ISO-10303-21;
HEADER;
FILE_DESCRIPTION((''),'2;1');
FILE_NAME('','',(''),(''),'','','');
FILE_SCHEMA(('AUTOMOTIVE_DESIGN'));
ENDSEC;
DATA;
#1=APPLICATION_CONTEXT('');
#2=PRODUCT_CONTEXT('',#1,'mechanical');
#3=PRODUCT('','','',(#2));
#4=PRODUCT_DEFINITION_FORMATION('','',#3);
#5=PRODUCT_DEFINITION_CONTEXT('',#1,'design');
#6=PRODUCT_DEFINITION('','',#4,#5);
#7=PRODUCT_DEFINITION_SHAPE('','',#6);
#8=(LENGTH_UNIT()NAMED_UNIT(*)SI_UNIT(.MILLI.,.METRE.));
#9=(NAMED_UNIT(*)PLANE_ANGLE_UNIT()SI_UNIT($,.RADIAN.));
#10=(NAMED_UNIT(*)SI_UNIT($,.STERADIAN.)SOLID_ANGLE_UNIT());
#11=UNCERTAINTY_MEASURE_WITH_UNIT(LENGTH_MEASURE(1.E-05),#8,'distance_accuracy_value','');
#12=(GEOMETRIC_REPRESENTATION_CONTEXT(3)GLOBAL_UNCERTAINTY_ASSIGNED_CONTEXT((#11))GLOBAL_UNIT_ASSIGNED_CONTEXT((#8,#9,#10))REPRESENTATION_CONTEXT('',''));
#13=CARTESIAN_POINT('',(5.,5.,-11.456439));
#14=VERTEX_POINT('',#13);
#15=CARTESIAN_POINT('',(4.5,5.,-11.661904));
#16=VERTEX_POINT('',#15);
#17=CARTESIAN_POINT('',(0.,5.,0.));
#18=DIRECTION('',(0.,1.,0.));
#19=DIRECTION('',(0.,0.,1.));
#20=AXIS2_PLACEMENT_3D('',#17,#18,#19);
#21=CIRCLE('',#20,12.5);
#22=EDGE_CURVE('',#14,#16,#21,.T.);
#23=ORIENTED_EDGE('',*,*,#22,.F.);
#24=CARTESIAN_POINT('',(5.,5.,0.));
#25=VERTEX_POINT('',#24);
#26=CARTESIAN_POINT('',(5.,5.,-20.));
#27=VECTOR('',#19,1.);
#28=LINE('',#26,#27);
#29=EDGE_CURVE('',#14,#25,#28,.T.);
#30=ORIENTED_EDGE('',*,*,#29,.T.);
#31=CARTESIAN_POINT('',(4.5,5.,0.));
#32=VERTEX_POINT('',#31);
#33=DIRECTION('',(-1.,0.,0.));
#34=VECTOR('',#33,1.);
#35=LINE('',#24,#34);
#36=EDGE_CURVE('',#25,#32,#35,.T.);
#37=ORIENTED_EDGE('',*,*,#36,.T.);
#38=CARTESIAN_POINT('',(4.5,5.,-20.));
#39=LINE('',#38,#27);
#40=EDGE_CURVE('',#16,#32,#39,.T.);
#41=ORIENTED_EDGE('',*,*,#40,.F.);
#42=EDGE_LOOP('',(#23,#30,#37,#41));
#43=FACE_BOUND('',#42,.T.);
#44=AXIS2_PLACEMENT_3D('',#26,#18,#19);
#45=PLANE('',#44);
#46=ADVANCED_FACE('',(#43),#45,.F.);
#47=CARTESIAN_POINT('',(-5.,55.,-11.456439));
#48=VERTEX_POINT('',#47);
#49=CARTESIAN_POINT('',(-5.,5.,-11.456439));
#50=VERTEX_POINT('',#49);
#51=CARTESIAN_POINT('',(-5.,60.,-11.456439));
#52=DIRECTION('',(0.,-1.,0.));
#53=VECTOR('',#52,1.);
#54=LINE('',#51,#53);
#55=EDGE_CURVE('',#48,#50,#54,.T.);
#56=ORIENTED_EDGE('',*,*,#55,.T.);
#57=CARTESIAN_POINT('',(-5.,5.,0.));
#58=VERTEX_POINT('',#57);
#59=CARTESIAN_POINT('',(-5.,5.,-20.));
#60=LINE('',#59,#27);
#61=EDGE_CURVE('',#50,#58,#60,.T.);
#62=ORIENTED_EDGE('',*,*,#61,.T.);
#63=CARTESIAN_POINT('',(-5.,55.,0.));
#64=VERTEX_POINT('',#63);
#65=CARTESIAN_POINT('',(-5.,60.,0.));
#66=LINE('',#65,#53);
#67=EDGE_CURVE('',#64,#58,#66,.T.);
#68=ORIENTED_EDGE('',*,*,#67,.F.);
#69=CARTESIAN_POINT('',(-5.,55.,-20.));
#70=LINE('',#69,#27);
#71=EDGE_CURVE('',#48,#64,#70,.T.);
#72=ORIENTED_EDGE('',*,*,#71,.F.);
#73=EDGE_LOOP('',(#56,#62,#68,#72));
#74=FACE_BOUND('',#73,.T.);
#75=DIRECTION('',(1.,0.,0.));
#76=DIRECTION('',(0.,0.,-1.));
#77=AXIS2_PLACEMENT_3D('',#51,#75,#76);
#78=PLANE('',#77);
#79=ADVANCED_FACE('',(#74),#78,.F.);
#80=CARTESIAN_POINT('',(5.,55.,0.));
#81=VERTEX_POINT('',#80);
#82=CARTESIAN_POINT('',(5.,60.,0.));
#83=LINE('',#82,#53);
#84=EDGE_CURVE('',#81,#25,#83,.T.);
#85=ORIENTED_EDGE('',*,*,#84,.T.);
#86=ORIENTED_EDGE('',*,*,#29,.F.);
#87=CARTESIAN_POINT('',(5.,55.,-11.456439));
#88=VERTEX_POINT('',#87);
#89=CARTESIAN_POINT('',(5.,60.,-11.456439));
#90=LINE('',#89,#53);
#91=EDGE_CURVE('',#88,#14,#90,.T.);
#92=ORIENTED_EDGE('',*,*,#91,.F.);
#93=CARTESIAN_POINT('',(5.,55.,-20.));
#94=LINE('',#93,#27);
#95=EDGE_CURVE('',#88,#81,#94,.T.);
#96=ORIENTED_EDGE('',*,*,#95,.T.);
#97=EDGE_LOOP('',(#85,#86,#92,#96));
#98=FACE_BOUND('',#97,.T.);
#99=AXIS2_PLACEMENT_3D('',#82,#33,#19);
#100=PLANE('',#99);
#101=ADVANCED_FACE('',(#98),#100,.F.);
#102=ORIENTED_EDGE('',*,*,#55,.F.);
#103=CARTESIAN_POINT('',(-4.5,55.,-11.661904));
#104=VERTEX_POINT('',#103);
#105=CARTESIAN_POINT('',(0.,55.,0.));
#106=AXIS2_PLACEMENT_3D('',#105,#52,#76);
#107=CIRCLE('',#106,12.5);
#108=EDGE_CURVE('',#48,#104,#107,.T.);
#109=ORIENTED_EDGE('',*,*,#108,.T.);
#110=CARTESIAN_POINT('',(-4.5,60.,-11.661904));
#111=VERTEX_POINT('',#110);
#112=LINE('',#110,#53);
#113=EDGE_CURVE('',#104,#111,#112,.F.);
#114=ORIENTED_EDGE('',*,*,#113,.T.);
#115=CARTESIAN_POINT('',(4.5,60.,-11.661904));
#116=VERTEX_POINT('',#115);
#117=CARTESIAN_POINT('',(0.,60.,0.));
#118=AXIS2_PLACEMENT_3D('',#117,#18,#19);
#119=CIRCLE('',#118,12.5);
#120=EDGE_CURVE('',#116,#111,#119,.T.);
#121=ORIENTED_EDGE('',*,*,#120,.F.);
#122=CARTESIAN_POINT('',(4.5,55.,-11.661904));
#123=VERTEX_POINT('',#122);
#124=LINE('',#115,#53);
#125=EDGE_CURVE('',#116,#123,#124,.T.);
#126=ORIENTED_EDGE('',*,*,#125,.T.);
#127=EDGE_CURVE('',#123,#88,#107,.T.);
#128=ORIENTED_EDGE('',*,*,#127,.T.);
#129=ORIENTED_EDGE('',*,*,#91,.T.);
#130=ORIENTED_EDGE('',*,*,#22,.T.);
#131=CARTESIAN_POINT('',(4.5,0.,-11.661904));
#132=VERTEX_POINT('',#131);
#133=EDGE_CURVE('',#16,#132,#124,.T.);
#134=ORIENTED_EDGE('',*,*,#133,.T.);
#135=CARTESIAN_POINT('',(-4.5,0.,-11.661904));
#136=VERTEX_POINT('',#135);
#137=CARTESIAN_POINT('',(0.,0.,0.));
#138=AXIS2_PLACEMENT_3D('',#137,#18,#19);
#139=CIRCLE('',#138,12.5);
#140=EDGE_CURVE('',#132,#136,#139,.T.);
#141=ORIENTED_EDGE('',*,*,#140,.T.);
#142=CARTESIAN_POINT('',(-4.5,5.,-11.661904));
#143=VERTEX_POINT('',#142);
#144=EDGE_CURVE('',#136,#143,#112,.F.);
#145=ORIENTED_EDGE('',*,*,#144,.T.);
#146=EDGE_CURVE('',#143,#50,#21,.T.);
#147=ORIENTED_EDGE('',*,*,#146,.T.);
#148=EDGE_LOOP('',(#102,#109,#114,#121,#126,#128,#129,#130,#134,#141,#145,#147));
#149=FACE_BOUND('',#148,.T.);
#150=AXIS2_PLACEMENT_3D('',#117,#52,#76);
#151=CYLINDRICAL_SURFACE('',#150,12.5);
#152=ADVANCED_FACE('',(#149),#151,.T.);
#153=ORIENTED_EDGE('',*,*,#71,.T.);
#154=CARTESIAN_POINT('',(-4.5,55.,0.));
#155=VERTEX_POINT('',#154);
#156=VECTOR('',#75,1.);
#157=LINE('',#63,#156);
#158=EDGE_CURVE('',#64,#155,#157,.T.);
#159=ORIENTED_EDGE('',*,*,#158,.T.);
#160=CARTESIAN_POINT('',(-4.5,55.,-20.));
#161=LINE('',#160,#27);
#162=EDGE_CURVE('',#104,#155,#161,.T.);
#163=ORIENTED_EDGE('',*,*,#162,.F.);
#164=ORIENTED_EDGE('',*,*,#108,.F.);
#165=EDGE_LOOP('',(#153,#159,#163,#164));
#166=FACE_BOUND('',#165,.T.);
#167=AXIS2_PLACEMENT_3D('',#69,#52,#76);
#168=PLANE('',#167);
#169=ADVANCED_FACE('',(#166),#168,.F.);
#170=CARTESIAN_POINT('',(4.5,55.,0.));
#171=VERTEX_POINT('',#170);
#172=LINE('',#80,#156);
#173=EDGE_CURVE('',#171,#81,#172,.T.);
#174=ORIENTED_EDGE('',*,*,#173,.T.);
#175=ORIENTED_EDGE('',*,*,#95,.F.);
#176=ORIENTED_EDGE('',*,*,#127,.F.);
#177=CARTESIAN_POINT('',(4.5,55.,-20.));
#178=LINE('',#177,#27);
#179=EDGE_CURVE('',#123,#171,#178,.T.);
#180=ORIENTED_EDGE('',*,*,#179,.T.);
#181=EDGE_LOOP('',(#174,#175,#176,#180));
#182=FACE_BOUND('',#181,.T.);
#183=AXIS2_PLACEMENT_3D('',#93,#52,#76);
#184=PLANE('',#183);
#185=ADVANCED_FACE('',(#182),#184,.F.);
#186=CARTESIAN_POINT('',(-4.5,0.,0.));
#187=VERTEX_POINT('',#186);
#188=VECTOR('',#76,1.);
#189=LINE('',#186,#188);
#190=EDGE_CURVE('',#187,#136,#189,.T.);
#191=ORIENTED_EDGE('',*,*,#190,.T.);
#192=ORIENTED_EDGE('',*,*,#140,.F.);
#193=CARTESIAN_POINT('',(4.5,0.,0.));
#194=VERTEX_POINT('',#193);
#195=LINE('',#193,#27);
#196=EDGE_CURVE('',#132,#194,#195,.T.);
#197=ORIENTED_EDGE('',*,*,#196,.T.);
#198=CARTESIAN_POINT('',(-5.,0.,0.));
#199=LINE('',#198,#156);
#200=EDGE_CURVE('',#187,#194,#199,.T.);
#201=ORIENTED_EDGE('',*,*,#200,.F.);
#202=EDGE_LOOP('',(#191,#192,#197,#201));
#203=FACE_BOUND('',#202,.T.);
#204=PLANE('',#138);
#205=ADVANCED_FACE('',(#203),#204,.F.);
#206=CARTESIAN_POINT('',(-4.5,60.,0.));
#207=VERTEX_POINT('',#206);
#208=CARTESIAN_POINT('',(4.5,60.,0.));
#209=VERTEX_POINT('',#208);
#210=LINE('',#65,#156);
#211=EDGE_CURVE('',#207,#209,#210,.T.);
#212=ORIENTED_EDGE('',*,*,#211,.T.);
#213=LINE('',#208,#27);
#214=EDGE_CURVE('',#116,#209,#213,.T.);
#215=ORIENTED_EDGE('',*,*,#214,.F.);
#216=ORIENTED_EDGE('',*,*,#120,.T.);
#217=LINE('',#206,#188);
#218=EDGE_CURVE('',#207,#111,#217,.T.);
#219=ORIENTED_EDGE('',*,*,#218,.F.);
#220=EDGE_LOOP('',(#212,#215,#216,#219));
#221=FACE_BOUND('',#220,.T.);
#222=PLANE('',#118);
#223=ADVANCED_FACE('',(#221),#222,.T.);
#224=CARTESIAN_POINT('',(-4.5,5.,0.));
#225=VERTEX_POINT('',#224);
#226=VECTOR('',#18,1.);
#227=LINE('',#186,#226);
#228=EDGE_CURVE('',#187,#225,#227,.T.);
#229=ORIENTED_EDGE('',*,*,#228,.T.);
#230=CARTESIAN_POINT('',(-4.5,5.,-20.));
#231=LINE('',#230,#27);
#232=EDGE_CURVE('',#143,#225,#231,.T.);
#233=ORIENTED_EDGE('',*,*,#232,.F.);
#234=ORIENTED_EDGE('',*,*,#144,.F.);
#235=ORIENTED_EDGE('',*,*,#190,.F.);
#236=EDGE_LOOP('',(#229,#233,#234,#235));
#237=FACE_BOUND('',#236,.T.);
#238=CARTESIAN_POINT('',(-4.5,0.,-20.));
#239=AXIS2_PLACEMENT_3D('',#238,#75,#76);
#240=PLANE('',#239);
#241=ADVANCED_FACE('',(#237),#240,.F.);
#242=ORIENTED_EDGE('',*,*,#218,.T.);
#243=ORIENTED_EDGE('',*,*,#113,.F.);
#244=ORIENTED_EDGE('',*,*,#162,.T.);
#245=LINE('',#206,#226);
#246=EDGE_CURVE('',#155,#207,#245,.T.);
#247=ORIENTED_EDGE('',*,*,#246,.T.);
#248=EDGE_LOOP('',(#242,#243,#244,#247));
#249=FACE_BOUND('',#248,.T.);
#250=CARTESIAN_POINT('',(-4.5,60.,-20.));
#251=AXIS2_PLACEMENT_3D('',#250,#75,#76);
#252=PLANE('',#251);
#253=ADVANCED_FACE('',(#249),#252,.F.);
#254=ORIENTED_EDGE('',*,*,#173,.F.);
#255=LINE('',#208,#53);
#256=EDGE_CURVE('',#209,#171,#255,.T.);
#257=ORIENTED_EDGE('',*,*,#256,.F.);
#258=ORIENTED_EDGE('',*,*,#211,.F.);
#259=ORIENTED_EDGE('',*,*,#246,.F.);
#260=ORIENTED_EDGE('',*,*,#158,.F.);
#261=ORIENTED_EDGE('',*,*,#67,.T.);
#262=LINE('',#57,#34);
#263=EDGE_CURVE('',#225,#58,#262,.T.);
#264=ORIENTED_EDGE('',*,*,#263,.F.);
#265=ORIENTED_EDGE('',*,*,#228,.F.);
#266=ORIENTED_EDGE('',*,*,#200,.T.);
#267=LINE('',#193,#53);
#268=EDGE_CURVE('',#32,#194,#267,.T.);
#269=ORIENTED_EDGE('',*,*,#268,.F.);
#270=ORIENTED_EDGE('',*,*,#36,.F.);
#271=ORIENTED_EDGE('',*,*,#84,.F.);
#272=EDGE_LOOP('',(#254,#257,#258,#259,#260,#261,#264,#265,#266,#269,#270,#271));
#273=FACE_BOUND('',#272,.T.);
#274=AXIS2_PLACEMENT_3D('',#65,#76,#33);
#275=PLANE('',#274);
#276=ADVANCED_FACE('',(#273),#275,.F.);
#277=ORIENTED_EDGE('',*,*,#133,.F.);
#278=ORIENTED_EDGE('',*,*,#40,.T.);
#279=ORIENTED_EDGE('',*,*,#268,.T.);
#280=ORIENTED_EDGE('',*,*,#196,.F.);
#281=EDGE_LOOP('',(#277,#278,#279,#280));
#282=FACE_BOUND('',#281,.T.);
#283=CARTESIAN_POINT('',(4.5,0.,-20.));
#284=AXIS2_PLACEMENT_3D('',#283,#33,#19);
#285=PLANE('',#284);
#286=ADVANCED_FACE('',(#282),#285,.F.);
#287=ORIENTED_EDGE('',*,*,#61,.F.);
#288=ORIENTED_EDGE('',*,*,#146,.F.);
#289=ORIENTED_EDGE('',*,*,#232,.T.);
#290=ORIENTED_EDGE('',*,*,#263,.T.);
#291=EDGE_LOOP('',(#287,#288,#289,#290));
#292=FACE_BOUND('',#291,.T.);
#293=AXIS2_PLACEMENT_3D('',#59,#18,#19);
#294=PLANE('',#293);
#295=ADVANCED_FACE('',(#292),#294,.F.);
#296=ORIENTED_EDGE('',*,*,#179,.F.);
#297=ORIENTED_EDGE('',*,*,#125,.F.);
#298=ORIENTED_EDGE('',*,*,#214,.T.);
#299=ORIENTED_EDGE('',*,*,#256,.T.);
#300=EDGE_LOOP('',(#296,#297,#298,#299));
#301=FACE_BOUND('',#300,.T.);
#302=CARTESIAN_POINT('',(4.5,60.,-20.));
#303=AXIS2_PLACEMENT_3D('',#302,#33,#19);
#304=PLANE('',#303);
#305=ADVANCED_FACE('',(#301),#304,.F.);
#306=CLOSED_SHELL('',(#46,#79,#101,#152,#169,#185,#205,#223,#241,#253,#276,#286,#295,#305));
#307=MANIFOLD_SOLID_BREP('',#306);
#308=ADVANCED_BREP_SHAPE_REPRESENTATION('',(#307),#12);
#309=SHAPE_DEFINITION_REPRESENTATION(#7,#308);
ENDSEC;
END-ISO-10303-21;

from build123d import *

# Parameters (mm, degrees)
BOSS_EXTRUDE1_DEPTH = 60
SKETCH3_W           = 0.5
SKETCH3_H           = 5
CUT_EXTRUDE1_DEPTH  = 20


with BuildPart() as part:
    # Sketch2 → Boss-Extrude1 (new body)
    with BuildSketch(Plane(origin=(0, 0, 0), x_dir=(1, 0, 0), z_dir=(0, 1, 0))):
        with BuildLine():
            Line((-5, 0), (5, 0))
            Line((5, 0), (5, 11.456439237))
            ThreePointArc((5, 11.456439237), (0, 12.5), (-5, 11.456439237))
            Line((-5, 11.456439237), (-5, 0))
        make_face()
    extrude(amount=BOSS_EXTRUDE1_DEPTH)

    # Sketch3 → Cut-Extrude1 (cut)
    with BuildSketch(Plane.XY):
        with Locations((-4.75, 2.5)):
            Rectangle(SKETCH3_W, SKETCH3_H)
        with Locations((4.75, 2.5)):
            Rectangle(SKETCH3_W, SKETCH3_H)
        with Locations((4.75, 57.5)):
            Rectangle(SKETCH3_W, SKETCH3_H)
        with Locations((-4.75, 57.5)):
            Rectangle(SKETCH3_W, SKETCH3_H)
    extrude(amount=-CUT_EXTRUDE1_DEPTH, mode=Mode.SUBTRACT)


solid = part.part
